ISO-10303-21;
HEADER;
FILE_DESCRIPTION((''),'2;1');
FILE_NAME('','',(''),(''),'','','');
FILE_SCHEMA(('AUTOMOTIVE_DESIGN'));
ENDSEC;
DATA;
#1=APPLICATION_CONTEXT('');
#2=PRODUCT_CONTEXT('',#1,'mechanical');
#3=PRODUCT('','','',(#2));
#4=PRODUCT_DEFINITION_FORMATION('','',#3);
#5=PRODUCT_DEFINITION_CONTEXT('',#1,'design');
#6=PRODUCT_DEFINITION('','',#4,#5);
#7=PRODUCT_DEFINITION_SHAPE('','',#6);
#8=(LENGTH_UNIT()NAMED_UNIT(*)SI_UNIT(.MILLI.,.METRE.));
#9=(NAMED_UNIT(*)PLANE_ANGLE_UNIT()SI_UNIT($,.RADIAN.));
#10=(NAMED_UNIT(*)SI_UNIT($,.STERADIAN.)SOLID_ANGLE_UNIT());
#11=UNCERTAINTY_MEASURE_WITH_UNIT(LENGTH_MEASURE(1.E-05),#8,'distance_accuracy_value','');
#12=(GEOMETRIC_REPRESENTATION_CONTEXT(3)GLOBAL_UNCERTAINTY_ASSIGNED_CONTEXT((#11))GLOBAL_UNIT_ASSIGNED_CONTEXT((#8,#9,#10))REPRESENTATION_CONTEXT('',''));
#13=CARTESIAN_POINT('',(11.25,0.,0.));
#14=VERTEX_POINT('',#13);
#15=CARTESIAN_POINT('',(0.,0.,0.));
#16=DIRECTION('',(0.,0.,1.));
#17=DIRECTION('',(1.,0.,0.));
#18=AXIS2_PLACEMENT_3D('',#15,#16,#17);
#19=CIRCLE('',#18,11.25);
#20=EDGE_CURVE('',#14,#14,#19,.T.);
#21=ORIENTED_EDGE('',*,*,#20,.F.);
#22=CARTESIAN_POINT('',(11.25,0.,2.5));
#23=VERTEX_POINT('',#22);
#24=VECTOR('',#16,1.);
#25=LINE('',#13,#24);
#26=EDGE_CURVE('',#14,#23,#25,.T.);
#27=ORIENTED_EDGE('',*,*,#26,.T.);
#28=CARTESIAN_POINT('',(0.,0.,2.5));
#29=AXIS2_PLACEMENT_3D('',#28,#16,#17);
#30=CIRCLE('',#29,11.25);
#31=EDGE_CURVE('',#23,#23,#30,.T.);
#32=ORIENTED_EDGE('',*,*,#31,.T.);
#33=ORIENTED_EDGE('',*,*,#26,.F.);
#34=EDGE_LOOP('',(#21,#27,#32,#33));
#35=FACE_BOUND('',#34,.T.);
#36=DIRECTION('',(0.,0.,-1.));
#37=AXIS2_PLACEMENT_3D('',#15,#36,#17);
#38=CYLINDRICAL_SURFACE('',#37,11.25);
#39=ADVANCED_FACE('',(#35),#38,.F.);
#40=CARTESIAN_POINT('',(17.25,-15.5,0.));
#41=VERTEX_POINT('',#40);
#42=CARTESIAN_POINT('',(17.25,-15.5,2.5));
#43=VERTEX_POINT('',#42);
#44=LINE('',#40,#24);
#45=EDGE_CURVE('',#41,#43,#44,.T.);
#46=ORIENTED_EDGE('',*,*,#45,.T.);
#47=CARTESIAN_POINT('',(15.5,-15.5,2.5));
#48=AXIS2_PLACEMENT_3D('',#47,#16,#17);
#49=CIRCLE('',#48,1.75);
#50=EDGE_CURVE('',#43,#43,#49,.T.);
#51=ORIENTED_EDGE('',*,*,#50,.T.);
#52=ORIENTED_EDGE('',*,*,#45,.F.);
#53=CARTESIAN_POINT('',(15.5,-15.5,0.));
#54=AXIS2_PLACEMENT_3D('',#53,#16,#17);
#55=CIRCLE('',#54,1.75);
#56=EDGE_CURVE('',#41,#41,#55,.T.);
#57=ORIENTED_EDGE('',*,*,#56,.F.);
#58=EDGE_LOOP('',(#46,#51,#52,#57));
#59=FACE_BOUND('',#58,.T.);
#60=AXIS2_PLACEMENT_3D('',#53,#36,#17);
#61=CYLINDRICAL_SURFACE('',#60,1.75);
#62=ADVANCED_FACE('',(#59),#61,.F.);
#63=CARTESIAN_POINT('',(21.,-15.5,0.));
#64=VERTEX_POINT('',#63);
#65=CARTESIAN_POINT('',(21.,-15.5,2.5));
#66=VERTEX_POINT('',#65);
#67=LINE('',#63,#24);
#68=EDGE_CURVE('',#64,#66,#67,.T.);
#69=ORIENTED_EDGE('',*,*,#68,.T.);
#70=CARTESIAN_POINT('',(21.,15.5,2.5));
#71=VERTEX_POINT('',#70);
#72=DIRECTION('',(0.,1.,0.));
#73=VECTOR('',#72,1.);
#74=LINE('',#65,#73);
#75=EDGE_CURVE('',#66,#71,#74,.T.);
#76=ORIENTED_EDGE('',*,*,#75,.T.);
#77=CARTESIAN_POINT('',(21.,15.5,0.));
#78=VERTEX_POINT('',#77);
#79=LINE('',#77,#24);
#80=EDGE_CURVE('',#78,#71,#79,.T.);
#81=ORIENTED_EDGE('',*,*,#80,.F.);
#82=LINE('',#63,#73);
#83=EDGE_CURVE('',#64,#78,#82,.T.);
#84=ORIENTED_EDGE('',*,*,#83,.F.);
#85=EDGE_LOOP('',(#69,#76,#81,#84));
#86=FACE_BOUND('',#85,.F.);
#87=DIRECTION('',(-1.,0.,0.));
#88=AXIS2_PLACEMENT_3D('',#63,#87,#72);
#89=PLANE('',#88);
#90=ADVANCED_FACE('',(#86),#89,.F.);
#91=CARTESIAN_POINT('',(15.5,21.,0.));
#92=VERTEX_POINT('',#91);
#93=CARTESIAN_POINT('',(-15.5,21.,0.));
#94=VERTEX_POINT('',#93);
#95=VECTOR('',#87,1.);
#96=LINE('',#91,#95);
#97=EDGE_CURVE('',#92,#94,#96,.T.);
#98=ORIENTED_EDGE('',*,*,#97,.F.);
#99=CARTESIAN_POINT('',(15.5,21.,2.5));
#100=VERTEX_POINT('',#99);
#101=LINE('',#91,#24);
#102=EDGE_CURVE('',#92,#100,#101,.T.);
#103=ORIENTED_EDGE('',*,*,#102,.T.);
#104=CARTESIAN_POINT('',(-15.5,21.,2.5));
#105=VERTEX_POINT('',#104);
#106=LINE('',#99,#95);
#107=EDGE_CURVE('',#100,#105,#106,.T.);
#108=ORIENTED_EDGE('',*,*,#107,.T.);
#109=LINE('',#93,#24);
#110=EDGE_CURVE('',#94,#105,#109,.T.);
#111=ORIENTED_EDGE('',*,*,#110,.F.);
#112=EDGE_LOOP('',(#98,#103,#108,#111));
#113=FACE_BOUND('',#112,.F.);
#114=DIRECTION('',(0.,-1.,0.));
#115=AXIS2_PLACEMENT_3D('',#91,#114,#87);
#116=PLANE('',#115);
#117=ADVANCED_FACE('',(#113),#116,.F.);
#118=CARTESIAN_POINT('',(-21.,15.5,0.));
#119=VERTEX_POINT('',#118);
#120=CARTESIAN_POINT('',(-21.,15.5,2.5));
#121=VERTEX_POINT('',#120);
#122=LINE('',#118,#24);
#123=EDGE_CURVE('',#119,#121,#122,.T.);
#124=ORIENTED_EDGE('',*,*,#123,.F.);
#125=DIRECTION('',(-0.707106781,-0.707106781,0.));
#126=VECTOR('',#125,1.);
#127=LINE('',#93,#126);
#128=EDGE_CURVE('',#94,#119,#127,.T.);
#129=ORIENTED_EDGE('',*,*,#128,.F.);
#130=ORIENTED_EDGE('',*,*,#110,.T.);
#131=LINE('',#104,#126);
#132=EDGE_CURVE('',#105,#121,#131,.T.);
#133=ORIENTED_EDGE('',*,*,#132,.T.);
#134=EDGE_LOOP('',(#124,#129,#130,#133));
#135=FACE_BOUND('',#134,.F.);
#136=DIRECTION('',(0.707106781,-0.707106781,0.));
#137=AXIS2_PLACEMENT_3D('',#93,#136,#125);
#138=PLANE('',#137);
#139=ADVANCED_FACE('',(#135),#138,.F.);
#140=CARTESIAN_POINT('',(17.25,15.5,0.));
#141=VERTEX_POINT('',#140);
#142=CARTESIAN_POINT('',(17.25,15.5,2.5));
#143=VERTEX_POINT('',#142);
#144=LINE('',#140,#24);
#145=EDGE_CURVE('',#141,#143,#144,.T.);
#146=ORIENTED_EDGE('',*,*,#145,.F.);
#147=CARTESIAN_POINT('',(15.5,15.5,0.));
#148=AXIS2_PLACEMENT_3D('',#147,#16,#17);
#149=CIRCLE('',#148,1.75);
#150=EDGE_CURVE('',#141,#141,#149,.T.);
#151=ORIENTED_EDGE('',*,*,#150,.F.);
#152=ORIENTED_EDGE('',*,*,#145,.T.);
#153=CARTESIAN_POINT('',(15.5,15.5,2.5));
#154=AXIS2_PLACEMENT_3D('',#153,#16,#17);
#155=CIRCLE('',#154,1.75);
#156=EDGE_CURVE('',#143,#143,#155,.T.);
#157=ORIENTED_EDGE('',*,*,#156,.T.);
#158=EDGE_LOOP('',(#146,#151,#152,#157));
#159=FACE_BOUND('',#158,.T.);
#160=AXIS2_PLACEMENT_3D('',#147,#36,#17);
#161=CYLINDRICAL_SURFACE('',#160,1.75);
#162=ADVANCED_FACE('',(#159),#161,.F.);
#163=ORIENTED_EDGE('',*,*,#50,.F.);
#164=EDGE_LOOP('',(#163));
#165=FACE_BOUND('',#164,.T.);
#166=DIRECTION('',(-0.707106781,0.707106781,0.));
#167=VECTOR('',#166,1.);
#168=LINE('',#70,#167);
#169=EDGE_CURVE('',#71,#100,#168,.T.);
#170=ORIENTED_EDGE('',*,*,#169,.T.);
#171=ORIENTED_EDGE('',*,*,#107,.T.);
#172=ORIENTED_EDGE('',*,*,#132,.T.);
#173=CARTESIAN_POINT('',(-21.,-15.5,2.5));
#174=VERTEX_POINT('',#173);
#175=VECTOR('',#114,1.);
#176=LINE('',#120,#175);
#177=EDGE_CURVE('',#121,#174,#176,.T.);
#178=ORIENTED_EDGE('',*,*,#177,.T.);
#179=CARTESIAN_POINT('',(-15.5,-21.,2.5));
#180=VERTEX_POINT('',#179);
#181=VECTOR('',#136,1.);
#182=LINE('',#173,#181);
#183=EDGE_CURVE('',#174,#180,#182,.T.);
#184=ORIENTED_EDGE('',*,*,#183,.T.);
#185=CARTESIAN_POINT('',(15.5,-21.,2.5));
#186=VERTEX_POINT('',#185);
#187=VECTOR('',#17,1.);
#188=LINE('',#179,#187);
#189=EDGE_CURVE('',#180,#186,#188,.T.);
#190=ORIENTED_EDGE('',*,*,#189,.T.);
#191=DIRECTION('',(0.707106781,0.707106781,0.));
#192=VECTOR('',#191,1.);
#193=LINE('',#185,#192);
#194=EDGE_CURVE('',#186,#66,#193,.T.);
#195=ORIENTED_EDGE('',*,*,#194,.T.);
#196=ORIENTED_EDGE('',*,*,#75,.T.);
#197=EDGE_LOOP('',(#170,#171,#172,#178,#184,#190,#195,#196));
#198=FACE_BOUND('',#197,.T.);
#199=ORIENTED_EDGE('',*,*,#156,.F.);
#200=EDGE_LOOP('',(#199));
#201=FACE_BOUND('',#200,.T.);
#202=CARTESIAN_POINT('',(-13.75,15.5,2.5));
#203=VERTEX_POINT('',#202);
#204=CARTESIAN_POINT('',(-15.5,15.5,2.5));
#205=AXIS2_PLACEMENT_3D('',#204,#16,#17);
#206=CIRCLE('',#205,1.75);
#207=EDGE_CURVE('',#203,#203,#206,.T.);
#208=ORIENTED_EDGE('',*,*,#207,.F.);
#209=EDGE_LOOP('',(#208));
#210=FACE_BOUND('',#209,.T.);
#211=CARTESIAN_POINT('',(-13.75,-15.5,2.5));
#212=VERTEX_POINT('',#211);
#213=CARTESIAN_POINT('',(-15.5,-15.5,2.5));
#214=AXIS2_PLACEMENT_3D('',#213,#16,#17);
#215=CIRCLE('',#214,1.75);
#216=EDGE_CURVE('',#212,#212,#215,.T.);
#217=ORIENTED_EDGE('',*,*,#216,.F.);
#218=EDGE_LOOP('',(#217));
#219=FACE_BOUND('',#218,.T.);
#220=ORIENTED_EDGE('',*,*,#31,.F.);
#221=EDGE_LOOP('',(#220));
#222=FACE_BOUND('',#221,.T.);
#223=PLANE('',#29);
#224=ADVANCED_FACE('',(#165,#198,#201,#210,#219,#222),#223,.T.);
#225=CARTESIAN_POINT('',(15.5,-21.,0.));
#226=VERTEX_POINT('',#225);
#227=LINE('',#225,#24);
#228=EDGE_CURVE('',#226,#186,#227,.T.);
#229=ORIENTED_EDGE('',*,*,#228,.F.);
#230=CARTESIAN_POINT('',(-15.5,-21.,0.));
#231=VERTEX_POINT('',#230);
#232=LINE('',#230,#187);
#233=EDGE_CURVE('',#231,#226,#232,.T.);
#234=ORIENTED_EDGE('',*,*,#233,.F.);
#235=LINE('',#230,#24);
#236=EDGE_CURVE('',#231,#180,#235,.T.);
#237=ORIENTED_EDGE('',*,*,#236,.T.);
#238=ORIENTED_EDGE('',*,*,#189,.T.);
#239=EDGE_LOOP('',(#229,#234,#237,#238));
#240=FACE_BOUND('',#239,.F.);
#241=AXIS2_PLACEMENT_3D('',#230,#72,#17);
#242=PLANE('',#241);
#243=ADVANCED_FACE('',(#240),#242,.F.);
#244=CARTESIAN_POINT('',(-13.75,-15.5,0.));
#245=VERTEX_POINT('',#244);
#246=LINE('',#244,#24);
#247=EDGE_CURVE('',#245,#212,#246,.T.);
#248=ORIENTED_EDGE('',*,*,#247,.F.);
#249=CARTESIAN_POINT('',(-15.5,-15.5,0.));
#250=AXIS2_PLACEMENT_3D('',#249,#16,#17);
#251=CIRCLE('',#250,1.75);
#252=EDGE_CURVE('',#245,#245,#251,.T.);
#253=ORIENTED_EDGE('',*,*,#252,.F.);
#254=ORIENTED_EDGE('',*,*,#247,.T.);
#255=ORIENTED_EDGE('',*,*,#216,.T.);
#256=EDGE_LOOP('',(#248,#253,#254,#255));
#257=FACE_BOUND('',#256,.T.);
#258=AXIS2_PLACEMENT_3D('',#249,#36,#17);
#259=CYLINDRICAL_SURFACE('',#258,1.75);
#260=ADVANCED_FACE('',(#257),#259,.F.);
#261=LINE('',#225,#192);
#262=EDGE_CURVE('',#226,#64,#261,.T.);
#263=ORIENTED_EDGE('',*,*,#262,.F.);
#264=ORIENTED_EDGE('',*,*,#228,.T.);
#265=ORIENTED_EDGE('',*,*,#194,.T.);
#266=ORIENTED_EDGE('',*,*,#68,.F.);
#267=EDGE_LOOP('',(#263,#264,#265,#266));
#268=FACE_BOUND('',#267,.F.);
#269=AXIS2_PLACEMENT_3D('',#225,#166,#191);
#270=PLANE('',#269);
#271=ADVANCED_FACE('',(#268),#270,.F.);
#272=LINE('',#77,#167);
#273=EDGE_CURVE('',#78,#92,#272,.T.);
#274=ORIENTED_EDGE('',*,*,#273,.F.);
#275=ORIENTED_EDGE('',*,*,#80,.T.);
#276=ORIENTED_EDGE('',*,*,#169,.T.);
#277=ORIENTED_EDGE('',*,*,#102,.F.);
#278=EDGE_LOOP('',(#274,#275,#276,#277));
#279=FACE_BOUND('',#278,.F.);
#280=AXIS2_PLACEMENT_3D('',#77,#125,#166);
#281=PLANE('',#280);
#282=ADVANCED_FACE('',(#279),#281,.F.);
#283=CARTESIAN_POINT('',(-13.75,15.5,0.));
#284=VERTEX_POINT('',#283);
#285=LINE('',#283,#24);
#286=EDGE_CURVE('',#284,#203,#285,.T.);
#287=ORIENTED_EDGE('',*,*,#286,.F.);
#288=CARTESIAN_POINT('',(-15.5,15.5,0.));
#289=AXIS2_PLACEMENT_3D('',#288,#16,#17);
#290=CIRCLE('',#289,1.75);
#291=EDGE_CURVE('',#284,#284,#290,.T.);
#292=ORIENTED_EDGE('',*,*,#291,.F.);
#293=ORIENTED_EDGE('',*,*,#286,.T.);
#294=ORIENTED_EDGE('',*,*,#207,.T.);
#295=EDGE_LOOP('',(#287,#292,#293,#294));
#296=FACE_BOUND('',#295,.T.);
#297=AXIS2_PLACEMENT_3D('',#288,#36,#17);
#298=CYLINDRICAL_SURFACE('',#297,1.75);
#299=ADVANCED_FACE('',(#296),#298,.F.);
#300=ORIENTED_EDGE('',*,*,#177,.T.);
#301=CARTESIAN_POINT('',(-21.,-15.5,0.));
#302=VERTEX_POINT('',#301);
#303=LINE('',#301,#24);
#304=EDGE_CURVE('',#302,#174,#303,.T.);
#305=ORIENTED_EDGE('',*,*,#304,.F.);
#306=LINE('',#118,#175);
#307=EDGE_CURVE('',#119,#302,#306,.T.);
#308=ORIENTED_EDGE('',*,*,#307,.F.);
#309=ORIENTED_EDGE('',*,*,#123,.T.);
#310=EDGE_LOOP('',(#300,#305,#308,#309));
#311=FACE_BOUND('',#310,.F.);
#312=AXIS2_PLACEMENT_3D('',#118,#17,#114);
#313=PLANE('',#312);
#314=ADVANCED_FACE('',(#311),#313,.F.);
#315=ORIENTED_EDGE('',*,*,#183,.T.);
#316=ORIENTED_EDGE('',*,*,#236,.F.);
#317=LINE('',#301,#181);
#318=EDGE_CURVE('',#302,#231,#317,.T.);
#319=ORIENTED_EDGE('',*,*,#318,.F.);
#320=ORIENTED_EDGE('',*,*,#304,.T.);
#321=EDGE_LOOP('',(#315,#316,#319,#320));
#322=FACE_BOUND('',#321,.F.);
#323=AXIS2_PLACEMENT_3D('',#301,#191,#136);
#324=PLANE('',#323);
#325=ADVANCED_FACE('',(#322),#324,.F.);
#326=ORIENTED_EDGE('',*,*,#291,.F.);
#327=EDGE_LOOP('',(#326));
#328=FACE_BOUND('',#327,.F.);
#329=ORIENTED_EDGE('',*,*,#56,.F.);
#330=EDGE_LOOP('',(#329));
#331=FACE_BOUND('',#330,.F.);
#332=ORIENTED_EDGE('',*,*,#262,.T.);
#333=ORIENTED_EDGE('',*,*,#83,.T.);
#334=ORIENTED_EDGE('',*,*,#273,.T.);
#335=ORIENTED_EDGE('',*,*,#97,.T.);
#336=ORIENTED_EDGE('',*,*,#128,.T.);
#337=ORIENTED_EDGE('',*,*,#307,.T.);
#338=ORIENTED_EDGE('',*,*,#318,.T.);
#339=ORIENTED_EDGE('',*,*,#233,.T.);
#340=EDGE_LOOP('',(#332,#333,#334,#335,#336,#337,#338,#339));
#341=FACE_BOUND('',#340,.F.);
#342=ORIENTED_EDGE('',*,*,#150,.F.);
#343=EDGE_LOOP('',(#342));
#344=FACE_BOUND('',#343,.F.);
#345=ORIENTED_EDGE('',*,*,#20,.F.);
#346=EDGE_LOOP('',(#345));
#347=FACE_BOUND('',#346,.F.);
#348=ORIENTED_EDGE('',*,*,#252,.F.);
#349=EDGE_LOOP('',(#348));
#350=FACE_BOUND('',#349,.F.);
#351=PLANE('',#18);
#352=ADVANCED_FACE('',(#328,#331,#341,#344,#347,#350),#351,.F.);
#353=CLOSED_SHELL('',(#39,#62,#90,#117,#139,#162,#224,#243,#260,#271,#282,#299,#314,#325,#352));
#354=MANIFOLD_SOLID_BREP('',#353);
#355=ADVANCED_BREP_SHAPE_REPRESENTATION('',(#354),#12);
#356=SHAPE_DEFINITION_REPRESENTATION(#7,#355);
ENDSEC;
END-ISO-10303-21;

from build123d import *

# Parameters (mm, degrees)
F0_R     = 1.75
F0_R_2   = 11.25
F1_DEPTH = 2.5


with BuildPart() as f1:
    # F0 (on Top) → F1 (new body)
    with BuildSketch(Plane.XY):
        Polygon((-15.5, -21), (15.5, -21), (21, -15.5), (21, 15.5), (15.5, 21), (-15.5, 21), (-21, 15.5), (-21, -15.5), align=None)
        with Locations((-15.5, -15.5)):
            Circle(F0_R, mode=Mode.SUBTRACT)
        with Locations((15.5, -15.5)):
            Circle(F0_R, mode=Mode.SUBTRACT)
        with Locations((-15.5, 15.5)):
            Circle(F0_R, mode=Mode.SUBTRACT)
        Circle(F0_R_2, mode=Mode.SUBTRACT)
        with Locations((15.5, 15.5)):
            Circle(F0_R, mode=Mode.SUBTRACT)
    extrude(amount=F1_DEPTH)


solid = f1.part
